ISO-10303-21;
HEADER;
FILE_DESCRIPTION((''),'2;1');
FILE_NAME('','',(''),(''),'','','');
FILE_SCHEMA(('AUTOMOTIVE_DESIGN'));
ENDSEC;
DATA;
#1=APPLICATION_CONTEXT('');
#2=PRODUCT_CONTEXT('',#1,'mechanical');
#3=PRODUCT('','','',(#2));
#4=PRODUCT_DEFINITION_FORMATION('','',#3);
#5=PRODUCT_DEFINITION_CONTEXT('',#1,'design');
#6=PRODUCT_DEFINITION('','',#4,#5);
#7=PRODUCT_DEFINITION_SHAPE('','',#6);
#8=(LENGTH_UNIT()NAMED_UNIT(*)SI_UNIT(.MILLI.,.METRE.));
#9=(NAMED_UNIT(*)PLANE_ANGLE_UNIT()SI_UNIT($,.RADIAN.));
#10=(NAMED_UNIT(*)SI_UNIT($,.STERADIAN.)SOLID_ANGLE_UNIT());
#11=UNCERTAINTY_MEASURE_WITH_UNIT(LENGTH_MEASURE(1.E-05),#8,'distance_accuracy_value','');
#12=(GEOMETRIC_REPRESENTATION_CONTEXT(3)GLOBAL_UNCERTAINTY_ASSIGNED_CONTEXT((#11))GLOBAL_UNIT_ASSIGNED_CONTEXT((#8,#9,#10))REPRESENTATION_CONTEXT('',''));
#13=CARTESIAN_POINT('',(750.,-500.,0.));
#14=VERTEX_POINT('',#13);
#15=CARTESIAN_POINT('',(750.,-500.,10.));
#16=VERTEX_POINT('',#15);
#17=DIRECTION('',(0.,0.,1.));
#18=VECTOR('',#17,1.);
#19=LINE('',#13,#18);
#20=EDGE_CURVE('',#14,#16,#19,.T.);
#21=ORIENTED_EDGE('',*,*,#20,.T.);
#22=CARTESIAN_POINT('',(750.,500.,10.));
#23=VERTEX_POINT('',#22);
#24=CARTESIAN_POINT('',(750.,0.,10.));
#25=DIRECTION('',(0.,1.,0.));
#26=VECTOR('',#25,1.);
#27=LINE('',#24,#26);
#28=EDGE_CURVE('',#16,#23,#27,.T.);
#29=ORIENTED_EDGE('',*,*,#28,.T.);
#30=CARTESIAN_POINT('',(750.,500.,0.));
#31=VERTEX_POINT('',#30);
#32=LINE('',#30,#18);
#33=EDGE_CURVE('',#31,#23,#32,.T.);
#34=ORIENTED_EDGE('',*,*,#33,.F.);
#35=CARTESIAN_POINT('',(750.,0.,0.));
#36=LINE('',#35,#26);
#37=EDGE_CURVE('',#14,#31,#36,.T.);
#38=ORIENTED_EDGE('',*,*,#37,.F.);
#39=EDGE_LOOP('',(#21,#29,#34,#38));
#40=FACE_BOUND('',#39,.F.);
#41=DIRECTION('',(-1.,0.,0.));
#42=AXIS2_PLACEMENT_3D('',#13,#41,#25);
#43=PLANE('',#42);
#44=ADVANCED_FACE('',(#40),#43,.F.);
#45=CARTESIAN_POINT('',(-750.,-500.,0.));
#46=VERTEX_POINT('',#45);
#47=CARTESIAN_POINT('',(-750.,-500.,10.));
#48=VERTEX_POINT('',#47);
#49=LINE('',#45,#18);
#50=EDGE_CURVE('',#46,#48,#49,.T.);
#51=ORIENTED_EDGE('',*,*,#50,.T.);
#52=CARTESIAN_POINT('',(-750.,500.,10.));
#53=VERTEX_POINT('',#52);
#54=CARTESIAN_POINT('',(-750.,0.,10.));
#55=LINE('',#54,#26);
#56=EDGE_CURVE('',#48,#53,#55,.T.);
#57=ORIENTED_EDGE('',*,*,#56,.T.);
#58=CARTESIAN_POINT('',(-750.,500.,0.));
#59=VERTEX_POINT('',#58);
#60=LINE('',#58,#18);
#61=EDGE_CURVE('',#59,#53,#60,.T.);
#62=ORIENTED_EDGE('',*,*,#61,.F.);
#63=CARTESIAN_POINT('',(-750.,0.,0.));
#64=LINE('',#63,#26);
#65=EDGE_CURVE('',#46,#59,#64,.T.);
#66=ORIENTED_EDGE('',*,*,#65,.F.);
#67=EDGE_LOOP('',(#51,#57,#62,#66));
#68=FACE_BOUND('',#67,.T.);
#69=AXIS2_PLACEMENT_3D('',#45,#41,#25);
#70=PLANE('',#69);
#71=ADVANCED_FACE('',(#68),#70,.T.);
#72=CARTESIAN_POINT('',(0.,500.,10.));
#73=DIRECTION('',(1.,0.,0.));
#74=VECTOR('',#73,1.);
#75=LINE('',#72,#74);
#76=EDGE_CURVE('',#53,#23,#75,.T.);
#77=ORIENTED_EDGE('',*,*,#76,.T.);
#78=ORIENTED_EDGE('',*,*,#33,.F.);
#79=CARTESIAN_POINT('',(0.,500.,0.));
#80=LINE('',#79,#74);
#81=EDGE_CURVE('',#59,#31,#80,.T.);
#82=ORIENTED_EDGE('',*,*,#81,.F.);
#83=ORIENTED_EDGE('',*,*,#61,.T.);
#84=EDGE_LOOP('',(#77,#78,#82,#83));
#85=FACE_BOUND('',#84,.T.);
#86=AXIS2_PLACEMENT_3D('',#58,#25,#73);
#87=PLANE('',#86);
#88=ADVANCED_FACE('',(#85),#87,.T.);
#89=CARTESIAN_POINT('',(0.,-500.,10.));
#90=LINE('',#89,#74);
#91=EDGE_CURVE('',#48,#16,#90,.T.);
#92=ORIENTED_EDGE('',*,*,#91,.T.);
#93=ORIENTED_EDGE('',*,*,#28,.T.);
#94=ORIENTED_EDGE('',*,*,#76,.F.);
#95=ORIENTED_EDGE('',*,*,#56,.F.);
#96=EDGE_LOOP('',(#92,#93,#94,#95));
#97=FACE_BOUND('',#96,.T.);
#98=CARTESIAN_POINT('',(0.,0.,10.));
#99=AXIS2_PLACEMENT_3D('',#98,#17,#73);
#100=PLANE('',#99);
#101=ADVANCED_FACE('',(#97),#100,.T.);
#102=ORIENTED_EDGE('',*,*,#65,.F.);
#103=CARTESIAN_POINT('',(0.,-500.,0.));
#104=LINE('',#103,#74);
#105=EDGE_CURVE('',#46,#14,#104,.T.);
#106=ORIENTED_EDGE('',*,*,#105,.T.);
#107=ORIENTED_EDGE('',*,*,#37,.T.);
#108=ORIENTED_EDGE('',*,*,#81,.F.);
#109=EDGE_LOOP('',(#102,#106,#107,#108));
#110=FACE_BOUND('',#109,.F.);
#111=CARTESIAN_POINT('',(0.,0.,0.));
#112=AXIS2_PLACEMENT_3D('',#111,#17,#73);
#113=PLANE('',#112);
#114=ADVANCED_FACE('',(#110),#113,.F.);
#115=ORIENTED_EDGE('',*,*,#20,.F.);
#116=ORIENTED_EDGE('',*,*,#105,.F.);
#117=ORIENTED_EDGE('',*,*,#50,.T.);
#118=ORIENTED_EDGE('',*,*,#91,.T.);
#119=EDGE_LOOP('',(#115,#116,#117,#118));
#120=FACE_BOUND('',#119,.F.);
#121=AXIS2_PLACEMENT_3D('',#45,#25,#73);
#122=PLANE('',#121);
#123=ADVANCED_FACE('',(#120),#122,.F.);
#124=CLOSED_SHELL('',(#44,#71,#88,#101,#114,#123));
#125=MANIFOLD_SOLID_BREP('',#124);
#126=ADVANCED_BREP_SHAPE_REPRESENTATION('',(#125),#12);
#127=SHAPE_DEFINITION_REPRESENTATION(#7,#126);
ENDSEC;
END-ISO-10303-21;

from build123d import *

# Parameters (mm, degrees)
SKETCH1_W           = 1500
SKETCH1_H           = 1000
BOSS_EXTRUDE1_DEPTH = 10


with BuildPart() as part:
    # Sketch1 → Boss-Extrude1 (new body)
    with BuildSketch(Plane.XY):
        Rectangle(SKETCH1_W, SKETCH1_H)
    extrude(amount=BOSS_EXTRUDE1_DEPTH)


solid = part.part
